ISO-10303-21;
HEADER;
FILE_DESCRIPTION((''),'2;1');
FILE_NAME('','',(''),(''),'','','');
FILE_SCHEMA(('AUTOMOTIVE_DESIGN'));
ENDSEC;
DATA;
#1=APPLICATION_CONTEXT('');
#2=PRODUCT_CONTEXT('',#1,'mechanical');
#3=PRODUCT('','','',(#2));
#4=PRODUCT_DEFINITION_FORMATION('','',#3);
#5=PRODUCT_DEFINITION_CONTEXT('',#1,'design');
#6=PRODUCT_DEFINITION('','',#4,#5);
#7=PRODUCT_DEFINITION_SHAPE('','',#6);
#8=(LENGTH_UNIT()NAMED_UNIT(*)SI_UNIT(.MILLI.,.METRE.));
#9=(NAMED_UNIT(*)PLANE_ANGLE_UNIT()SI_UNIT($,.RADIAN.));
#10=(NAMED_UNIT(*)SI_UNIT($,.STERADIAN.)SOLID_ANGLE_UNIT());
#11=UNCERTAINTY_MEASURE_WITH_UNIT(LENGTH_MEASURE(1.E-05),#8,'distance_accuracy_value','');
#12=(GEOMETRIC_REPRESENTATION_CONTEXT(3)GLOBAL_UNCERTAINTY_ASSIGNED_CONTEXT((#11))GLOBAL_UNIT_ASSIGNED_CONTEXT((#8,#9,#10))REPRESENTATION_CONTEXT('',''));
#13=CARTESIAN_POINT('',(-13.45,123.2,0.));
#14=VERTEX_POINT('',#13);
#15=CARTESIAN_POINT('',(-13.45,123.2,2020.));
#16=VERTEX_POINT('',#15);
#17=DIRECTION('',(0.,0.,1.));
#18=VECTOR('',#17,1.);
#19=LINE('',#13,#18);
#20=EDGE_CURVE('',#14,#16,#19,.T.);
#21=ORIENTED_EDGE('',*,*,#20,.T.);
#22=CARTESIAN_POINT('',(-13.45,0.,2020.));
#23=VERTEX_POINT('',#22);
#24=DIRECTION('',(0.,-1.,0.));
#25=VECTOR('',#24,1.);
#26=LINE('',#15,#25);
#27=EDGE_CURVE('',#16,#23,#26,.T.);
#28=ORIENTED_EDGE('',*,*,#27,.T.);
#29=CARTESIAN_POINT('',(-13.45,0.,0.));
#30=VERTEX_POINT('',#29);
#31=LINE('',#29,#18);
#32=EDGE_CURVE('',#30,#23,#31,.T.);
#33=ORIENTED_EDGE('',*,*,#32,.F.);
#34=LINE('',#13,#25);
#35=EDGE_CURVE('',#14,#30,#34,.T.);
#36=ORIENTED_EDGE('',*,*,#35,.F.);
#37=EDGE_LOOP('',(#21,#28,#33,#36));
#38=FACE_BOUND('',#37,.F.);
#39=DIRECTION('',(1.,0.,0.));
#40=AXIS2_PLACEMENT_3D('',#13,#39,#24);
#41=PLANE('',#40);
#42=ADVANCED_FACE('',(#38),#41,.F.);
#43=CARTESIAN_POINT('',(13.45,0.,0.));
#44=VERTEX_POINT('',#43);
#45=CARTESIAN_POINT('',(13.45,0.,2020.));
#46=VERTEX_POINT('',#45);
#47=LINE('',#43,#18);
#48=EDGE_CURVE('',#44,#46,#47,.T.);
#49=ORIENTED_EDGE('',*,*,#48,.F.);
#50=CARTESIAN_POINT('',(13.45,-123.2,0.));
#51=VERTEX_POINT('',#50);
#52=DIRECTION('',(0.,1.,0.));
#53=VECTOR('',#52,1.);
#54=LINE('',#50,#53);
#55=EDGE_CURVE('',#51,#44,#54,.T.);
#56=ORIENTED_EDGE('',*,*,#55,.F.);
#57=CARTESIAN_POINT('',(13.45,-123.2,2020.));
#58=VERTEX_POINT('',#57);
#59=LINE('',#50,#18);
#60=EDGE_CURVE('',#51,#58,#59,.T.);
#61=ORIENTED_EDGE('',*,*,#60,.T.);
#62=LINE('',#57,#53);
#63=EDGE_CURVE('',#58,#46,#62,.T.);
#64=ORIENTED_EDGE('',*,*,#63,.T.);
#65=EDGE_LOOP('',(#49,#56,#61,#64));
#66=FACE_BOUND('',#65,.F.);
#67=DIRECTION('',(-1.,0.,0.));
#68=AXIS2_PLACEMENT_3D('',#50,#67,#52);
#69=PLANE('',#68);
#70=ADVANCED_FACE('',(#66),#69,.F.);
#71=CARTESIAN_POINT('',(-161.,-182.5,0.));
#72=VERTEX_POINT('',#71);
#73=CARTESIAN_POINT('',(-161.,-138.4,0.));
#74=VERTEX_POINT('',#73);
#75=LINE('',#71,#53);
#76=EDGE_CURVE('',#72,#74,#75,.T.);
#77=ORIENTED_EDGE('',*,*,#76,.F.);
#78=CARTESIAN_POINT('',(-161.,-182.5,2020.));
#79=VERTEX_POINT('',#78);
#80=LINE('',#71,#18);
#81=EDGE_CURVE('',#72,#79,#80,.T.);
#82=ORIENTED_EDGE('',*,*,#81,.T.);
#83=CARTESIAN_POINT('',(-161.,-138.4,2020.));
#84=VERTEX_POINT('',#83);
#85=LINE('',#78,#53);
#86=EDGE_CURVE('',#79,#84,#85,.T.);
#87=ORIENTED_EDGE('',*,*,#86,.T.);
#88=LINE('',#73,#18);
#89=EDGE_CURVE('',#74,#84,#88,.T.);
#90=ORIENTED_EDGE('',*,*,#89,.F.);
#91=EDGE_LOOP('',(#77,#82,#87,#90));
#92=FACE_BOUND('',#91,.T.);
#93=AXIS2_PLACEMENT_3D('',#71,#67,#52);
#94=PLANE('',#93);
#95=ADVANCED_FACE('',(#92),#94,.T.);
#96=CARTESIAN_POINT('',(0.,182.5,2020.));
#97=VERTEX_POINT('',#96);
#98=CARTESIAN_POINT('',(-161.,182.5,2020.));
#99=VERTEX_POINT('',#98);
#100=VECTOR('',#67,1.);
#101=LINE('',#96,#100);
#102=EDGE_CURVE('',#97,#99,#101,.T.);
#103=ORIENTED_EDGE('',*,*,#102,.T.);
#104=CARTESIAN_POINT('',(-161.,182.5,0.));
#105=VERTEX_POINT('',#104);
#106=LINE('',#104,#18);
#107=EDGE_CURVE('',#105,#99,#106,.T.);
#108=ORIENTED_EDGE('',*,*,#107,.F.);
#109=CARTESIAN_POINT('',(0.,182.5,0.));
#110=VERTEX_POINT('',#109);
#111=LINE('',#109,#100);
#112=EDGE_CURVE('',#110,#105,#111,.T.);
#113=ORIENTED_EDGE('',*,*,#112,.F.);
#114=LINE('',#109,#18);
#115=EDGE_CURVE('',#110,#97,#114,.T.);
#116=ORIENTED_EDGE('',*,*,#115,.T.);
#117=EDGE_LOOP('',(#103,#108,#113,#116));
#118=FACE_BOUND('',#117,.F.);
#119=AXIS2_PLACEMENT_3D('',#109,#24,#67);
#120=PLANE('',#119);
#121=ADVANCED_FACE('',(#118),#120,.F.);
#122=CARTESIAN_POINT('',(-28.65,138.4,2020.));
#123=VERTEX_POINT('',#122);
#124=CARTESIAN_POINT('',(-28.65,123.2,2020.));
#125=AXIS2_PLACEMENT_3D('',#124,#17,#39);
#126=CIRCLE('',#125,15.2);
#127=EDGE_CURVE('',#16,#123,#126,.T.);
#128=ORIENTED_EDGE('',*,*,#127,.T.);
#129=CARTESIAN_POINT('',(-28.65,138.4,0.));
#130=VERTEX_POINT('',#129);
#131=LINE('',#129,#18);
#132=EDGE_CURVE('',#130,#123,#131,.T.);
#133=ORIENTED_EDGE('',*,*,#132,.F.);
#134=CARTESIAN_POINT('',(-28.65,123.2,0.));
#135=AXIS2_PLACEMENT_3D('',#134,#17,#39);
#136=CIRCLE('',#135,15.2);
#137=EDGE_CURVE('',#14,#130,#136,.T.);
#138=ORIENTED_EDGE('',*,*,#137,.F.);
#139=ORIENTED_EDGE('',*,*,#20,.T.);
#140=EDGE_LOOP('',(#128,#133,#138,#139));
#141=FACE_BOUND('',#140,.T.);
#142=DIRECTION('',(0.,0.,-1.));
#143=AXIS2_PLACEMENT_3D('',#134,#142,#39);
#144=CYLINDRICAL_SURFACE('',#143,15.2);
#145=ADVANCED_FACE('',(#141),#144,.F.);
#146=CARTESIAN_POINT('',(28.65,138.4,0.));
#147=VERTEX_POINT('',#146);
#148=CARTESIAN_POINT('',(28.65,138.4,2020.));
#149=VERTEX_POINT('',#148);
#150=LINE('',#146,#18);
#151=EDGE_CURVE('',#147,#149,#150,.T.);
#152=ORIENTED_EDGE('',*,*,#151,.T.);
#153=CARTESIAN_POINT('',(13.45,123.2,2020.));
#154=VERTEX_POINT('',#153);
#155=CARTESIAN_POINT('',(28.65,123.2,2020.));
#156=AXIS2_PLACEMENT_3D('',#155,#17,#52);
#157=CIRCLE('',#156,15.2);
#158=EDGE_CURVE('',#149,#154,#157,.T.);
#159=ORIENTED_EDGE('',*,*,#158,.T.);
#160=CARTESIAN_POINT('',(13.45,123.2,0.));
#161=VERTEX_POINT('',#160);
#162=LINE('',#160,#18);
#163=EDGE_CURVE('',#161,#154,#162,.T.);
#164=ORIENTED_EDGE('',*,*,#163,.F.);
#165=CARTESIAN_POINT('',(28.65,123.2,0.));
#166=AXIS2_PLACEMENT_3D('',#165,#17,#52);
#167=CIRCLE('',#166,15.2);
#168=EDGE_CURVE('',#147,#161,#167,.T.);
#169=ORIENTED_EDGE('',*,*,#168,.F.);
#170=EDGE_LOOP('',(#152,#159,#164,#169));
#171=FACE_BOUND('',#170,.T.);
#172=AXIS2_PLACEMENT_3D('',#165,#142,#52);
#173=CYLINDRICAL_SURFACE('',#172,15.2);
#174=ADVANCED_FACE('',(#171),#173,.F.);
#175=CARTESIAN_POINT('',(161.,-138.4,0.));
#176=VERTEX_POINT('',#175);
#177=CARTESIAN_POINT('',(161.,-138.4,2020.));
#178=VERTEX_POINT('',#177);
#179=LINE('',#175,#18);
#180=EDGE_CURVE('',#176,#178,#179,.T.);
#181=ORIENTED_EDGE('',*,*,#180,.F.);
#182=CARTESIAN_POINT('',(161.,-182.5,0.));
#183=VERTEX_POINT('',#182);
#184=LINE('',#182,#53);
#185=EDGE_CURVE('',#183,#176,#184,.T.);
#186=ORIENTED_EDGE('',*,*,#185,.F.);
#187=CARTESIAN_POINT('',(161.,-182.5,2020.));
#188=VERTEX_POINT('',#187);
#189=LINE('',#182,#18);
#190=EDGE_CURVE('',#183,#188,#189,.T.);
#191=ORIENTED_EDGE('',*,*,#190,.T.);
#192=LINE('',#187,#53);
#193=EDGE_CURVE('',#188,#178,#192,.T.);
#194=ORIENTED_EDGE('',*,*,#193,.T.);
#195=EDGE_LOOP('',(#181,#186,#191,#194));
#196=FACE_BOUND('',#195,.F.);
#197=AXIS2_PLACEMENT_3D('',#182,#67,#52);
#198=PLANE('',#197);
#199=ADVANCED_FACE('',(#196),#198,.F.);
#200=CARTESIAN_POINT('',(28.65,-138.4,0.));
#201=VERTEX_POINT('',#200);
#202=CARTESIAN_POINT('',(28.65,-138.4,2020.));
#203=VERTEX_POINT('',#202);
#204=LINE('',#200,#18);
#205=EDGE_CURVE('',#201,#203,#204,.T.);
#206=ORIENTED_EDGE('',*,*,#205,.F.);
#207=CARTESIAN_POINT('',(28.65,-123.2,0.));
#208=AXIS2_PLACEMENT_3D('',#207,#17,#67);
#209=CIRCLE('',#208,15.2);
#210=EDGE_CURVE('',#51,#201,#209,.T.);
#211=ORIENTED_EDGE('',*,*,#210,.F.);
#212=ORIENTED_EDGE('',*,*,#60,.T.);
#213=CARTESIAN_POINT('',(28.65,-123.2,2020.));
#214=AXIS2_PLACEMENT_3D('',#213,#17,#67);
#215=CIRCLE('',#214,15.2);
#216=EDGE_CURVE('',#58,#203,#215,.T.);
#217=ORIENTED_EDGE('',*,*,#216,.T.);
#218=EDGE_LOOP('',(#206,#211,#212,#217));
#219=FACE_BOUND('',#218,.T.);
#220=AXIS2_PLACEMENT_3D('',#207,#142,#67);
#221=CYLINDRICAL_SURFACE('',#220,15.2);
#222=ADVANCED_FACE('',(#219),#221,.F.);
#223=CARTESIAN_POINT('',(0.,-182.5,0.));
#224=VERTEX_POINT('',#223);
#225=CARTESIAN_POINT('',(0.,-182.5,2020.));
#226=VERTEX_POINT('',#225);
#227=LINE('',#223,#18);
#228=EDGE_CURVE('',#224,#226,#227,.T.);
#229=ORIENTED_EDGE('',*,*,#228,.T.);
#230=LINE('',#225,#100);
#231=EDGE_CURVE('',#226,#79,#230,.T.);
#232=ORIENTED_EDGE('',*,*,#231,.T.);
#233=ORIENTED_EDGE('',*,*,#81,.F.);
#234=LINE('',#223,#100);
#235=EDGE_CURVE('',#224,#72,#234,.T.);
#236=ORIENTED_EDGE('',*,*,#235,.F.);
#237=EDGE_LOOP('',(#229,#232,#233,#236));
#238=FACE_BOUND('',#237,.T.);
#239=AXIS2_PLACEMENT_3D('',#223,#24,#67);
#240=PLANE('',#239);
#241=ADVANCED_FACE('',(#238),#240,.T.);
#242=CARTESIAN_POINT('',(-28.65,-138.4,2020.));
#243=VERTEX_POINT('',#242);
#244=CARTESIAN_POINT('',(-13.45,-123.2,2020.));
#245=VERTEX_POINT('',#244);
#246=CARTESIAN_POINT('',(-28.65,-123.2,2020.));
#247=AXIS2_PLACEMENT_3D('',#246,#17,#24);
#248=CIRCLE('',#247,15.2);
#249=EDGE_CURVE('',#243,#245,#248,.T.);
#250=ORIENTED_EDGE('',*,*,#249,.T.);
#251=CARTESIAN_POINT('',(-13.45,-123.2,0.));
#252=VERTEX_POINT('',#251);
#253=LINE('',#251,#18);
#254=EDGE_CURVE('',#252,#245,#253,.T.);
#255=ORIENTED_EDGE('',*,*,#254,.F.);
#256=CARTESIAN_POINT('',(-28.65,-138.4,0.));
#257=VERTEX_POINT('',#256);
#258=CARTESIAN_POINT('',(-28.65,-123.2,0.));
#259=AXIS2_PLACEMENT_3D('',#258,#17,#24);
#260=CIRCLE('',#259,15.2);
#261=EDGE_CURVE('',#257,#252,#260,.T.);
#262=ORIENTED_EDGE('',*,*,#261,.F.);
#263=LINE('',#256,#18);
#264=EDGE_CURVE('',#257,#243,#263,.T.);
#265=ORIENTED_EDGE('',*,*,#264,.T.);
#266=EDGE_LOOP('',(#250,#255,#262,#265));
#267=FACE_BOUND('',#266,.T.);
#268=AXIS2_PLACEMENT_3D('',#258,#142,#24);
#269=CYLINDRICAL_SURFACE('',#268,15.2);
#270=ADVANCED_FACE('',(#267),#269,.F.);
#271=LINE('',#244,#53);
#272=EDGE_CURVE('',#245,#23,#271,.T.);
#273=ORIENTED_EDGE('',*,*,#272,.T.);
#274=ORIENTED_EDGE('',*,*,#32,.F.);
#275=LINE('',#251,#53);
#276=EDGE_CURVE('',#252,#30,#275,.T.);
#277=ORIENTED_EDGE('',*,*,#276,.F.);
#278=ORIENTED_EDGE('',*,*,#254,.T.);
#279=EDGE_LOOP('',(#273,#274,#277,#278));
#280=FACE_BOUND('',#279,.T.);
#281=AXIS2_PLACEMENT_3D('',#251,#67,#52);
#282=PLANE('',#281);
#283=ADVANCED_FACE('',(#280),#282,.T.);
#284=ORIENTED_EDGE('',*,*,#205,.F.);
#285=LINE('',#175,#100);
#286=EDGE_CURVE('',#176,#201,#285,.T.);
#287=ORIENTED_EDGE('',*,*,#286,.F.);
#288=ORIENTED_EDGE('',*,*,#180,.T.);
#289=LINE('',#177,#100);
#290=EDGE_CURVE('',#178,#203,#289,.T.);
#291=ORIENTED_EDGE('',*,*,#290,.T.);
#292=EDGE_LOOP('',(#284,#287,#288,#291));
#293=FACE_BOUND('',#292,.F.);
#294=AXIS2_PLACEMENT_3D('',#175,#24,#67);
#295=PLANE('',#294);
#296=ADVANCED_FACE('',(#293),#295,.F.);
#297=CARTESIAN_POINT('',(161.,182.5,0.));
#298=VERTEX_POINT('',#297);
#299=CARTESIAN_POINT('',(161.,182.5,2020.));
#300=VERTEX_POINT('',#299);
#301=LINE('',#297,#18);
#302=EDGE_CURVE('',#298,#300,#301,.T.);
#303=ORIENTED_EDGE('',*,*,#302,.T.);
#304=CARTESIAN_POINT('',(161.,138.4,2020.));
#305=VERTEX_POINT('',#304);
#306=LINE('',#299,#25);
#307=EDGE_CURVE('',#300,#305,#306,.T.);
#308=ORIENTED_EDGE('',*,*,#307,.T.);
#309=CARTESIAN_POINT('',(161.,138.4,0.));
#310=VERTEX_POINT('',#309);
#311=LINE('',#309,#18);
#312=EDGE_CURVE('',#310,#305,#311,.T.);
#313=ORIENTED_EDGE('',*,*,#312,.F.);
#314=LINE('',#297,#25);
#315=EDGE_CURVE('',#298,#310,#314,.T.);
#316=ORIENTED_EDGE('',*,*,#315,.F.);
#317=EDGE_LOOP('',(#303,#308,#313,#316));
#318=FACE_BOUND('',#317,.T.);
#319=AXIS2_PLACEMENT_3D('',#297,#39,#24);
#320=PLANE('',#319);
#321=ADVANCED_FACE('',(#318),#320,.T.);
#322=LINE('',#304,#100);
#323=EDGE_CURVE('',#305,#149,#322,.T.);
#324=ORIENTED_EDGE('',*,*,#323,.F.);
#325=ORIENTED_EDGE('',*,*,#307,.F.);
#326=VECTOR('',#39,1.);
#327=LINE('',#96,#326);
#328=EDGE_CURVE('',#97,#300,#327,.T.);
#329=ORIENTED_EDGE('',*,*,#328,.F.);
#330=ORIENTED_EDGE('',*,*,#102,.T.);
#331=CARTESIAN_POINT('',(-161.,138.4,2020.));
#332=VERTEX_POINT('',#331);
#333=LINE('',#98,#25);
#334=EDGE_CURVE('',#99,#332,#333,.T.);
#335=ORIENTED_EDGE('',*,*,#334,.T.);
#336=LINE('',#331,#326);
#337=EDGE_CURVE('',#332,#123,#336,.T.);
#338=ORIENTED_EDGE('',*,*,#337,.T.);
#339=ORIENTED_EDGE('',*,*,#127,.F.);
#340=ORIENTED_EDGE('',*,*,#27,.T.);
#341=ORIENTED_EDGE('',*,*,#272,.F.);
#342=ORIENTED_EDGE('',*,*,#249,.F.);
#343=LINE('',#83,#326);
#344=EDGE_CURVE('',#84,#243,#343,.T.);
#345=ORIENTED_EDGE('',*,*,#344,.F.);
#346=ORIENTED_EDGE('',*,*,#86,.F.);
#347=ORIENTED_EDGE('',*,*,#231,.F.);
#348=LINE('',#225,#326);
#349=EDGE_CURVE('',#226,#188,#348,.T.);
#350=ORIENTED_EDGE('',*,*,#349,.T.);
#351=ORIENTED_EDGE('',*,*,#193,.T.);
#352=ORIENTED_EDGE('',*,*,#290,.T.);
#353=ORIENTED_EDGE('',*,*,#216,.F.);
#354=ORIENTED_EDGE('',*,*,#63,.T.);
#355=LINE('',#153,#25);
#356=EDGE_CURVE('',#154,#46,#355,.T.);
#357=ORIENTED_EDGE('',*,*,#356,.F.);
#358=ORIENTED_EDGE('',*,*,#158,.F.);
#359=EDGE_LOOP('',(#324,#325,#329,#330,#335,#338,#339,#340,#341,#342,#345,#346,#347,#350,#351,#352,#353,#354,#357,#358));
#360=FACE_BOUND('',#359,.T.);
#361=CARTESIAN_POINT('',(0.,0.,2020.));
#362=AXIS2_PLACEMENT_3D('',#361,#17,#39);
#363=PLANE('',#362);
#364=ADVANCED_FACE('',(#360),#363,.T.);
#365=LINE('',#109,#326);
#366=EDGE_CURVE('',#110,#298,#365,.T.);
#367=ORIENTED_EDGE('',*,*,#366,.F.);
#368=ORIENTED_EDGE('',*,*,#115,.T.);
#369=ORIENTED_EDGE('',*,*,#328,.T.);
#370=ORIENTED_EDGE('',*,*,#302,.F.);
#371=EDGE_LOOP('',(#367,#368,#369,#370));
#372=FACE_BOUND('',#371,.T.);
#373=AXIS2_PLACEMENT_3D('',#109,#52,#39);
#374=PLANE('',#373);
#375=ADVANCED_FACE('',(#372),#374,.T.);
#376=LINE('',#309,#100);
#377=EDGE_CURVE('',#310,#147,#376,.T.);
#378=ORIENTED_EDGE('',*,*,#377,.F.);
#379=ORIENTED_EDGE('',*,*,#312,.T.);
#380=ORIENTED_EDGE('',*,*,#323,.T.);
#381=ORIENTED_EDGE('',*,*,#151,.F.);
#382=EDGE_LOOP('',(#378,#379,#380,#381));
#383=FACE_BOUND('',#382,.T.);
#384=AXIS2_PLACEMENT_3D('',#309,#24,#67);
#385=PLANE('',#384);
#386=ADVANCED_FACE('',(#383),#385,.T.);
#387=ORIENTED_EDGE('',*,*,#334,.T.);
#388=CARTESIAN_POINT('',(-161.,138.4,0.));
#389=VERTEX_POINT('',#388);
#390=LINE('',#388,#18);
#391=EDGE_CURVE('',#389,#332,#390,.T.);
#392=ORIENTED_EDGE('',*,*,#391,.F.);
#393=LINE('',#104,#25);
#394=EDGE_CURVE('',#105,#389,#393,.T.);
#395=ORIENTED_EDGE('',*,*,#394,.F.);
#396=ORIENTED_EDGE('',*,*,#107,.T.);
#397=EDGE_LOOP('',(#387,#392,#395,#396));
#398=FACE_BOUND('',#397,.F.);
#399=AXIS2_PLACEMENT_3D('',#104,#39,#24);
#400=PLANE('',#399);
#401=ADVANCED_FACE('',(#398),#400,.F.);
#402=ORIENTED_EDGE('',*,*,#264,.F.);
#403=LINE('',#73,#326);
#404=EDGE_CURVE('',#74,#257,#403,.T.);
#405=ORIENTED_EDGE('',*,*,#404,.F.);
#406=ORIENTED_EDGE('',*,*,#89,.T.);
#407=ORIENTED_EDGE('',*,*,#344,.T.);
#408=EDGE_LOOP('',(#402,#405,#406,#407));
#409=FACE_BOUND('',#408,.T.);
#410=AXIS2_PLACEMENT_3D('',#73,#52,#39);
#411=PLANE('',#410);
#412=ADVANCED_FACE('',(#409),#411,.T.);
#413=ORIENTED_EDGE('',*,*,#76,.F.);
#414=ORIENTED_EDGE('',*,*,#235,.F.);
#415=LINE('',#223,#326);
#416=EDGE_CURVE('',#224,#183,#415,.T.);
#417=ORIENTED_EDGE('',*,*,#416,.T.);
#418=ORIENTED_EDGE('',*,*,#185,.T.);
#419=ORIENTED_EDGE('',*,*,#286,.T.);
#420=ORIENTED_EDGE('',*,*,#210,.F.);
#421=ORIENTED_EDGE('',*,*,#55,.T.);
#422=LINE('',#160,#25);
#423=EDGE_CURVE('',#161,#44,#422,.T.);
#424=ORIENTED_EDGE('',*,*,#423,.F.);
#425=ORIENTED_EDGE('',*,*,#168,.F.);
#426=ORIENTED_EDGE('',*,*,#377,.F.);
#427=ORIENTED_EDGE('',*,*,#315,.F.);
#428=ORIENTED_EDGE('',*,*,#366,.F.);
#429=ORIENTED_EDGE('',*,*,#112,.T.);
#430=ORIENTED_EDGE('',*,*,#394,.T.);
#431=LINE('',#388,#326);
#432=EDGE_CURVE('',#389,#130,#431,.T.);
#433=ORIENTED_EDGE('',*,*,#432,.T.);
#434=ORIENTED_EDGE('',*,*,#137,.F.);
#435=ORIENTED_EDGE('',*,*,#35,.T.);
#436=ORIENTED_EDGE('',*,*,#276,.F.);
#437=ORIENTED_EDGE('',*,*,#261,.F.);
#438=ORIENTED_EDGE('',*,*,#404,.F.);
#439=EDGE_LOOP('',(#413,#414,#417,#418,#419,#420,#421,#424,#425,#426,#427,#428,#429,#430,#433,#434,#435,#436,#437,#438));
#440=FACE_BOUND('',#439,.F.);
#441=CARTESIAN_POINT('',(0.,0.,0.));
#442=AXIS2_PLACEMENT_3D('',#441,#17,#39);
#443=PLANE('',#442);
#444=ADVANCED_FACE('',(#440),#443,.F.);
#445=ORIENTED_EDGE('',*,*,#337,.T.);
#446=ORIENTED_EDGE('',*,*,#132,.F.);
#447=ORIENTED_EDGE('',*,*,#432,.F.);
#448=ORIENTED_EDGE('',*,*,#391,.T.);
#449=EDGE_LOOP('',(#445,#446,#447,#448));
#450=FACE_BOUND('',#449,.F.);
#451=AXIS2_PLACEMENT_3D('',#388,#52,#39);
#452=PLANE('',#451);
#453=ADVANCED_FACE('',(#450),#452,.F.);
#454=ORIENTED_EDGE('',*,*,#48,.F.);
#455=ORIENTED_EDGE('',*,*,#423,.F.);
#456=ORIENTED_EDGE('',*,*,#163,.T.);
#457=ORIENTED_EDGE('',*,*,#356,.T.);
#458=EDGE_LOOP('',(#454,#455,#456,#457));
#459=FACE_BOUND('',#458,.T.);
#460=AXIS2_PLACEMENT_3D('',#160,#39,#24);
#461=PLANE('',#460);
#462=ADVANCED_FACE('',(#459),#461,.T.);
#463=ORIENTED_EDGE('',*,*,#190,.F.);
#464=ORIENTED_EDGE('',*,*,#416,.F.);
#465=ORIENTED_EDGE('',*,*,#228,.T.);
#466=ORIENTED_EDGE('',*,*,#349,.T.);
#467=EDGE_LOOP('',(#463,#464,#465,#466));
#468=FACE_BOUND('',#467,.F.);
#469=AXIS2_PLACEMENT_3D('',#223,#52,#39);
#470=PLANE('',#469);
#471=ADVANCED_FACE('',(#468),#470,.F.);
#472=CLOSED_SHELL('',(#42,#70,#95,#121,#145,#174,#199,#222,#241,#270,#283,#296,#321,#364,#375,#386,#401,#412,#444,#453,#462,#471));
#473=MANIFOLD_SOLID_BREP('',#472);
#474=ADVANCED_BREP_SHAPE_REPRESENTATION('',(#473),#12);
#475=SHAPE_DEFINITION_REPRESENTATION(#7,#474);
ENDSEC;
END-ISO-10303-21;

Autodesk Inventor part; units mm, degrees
ref_plane "YZ Plane" through (0, 0, 0) normal (1, 0, 0) x (0, 1, 0)
ref_plane "Start plane" through (0, 0, 0) normal (0, 0, 1) x (1, 0, 0)
ref_plane "End plane" through (0, 0, 2020) normal (0, 0, 1) x (1, 0, 0)
sketch "Sketch" plane through (0, 0, 0) normal (0, 0, 1) x (1, 0, 0)
  line L0 (-161, -182.5) -> (-161, -138.4)
  line L1 (-161, -138.4) -> (-28.65, -138.4)
  line L2 (-13.45, -123.2) -> (-13.45, 0)
  line L3 (-13.45, 0) -> (0, 0) construction
  line L4 (0, 0) -> (0, -182.5) construction
  line L5 (0, -182.5) -> (-161, -182.5)
  line L6 (-60, 0) -> (80, 0) construction
  line L7 (0, -60) -> (0, 80) construction
  line L8 (161, -182.5) -> (161, -138.4)
  line L9 (161, -138.4) -> (28.65, -138.4)
  line L10 (13.45, -123.2) -> (13.45, 0)
  line L11 (13.45, 0) -> (0, 0) construction
  line L12 (0, -182.5) -> (161, -182.5)
  line L13 (-161, 182.5) -> (-161, 138.4)
  line L14 (-161, 138.4) -> (-28.65, 138.4)
  line L15 (-13.45, 123.2) -> (-13.45, 0)
  line L16 (0, 182.5) -> (-161, 182.5)
  line L17 (161, 182.5) -> (161, 138.4)
  line L18 (161, 138.4) -> (28.65, 138.4)
  line L19 (0, 182.5) -> (161, 182.5)
  line L20 (13.45, 123.2) -> (13.45, 0)
  arc A0 (-13.45, 123.2) -> (-28.65, 138.4) centre (-28.65, 123.2) ccw
  arc A1 (28.65, 138.4) -> (13.45, 123.2) centre (28.65, 123.2) ccw
  arc A2 (13.45, -123.2) -> (28.65, -138.4) centre (28.65, -123.2) ccw
  arc A3 (-28.65, -138.4) -> (-13.45, -123.2) centre (-28.65, -123.2) ccw
  line L21 (0, 108) -> (0, -88) construction
  line L22 (-88, 0) -> (108, 0) construction
  point P0 (-13.45, -138.4)
  point P1 (13.45, -138.4)
  point P2 (-13.45, 138.4)
  point P3 (13.45, 138.4)
  dimension "d1" = 182.5
  dimension "d2" = 44.1
  dimension "d3" = 161
  dimension "d4" = 13.45
  dimension "d10" = 15.2
extrude "Body" add sketch "Sketch" along normal up to surface (2020 mm away) from surface at 0
sketch "Sketch4" plane through (0, 0, 0) normal (0, 0, 1) x (1, 0, 0)
  line L0 (0, 0) -> (10, 0)
ref_plane "Work Plane3" through (0, 0, 0) normal (0, -1, 0) x (1, 0, 0)
sketch "Sketch5" plane through (0, 0, 0) normal (0, -1, 0) x (1, 0, 0)
  line L0 (-2, 0) -> (12, 0) projected
  line L1 (-2, 2020) -> (12, 2020) projected
  dimension "d14" = 2020
equation "\"d1\" = 0.5 * G_H"
equation "\"d2\" = G_T1"
equation "\"d3\" = 0.5 * G_W"
equation "\"d4\" = 0.5 * G_T"
equation "\"d10\" = G_IR"
equation "\"d5\" = G_L"
equation "\"G_W\" = 322"
equation "\"G_H\" = 365"
equation "\"G_T\" = 26.9"
equation "\"G_T1\" = 44.1"
equation "\"G_IR\" = 15.2"
equation "\"G_L\" = d14"
equation "\"G_OFFSET_START\" = 0"
equation "\"G_OFFSET_END\" = 0"
properties part number "AS 3679 - 310 UC - 283 - 2020" material "Steel, Mild"
